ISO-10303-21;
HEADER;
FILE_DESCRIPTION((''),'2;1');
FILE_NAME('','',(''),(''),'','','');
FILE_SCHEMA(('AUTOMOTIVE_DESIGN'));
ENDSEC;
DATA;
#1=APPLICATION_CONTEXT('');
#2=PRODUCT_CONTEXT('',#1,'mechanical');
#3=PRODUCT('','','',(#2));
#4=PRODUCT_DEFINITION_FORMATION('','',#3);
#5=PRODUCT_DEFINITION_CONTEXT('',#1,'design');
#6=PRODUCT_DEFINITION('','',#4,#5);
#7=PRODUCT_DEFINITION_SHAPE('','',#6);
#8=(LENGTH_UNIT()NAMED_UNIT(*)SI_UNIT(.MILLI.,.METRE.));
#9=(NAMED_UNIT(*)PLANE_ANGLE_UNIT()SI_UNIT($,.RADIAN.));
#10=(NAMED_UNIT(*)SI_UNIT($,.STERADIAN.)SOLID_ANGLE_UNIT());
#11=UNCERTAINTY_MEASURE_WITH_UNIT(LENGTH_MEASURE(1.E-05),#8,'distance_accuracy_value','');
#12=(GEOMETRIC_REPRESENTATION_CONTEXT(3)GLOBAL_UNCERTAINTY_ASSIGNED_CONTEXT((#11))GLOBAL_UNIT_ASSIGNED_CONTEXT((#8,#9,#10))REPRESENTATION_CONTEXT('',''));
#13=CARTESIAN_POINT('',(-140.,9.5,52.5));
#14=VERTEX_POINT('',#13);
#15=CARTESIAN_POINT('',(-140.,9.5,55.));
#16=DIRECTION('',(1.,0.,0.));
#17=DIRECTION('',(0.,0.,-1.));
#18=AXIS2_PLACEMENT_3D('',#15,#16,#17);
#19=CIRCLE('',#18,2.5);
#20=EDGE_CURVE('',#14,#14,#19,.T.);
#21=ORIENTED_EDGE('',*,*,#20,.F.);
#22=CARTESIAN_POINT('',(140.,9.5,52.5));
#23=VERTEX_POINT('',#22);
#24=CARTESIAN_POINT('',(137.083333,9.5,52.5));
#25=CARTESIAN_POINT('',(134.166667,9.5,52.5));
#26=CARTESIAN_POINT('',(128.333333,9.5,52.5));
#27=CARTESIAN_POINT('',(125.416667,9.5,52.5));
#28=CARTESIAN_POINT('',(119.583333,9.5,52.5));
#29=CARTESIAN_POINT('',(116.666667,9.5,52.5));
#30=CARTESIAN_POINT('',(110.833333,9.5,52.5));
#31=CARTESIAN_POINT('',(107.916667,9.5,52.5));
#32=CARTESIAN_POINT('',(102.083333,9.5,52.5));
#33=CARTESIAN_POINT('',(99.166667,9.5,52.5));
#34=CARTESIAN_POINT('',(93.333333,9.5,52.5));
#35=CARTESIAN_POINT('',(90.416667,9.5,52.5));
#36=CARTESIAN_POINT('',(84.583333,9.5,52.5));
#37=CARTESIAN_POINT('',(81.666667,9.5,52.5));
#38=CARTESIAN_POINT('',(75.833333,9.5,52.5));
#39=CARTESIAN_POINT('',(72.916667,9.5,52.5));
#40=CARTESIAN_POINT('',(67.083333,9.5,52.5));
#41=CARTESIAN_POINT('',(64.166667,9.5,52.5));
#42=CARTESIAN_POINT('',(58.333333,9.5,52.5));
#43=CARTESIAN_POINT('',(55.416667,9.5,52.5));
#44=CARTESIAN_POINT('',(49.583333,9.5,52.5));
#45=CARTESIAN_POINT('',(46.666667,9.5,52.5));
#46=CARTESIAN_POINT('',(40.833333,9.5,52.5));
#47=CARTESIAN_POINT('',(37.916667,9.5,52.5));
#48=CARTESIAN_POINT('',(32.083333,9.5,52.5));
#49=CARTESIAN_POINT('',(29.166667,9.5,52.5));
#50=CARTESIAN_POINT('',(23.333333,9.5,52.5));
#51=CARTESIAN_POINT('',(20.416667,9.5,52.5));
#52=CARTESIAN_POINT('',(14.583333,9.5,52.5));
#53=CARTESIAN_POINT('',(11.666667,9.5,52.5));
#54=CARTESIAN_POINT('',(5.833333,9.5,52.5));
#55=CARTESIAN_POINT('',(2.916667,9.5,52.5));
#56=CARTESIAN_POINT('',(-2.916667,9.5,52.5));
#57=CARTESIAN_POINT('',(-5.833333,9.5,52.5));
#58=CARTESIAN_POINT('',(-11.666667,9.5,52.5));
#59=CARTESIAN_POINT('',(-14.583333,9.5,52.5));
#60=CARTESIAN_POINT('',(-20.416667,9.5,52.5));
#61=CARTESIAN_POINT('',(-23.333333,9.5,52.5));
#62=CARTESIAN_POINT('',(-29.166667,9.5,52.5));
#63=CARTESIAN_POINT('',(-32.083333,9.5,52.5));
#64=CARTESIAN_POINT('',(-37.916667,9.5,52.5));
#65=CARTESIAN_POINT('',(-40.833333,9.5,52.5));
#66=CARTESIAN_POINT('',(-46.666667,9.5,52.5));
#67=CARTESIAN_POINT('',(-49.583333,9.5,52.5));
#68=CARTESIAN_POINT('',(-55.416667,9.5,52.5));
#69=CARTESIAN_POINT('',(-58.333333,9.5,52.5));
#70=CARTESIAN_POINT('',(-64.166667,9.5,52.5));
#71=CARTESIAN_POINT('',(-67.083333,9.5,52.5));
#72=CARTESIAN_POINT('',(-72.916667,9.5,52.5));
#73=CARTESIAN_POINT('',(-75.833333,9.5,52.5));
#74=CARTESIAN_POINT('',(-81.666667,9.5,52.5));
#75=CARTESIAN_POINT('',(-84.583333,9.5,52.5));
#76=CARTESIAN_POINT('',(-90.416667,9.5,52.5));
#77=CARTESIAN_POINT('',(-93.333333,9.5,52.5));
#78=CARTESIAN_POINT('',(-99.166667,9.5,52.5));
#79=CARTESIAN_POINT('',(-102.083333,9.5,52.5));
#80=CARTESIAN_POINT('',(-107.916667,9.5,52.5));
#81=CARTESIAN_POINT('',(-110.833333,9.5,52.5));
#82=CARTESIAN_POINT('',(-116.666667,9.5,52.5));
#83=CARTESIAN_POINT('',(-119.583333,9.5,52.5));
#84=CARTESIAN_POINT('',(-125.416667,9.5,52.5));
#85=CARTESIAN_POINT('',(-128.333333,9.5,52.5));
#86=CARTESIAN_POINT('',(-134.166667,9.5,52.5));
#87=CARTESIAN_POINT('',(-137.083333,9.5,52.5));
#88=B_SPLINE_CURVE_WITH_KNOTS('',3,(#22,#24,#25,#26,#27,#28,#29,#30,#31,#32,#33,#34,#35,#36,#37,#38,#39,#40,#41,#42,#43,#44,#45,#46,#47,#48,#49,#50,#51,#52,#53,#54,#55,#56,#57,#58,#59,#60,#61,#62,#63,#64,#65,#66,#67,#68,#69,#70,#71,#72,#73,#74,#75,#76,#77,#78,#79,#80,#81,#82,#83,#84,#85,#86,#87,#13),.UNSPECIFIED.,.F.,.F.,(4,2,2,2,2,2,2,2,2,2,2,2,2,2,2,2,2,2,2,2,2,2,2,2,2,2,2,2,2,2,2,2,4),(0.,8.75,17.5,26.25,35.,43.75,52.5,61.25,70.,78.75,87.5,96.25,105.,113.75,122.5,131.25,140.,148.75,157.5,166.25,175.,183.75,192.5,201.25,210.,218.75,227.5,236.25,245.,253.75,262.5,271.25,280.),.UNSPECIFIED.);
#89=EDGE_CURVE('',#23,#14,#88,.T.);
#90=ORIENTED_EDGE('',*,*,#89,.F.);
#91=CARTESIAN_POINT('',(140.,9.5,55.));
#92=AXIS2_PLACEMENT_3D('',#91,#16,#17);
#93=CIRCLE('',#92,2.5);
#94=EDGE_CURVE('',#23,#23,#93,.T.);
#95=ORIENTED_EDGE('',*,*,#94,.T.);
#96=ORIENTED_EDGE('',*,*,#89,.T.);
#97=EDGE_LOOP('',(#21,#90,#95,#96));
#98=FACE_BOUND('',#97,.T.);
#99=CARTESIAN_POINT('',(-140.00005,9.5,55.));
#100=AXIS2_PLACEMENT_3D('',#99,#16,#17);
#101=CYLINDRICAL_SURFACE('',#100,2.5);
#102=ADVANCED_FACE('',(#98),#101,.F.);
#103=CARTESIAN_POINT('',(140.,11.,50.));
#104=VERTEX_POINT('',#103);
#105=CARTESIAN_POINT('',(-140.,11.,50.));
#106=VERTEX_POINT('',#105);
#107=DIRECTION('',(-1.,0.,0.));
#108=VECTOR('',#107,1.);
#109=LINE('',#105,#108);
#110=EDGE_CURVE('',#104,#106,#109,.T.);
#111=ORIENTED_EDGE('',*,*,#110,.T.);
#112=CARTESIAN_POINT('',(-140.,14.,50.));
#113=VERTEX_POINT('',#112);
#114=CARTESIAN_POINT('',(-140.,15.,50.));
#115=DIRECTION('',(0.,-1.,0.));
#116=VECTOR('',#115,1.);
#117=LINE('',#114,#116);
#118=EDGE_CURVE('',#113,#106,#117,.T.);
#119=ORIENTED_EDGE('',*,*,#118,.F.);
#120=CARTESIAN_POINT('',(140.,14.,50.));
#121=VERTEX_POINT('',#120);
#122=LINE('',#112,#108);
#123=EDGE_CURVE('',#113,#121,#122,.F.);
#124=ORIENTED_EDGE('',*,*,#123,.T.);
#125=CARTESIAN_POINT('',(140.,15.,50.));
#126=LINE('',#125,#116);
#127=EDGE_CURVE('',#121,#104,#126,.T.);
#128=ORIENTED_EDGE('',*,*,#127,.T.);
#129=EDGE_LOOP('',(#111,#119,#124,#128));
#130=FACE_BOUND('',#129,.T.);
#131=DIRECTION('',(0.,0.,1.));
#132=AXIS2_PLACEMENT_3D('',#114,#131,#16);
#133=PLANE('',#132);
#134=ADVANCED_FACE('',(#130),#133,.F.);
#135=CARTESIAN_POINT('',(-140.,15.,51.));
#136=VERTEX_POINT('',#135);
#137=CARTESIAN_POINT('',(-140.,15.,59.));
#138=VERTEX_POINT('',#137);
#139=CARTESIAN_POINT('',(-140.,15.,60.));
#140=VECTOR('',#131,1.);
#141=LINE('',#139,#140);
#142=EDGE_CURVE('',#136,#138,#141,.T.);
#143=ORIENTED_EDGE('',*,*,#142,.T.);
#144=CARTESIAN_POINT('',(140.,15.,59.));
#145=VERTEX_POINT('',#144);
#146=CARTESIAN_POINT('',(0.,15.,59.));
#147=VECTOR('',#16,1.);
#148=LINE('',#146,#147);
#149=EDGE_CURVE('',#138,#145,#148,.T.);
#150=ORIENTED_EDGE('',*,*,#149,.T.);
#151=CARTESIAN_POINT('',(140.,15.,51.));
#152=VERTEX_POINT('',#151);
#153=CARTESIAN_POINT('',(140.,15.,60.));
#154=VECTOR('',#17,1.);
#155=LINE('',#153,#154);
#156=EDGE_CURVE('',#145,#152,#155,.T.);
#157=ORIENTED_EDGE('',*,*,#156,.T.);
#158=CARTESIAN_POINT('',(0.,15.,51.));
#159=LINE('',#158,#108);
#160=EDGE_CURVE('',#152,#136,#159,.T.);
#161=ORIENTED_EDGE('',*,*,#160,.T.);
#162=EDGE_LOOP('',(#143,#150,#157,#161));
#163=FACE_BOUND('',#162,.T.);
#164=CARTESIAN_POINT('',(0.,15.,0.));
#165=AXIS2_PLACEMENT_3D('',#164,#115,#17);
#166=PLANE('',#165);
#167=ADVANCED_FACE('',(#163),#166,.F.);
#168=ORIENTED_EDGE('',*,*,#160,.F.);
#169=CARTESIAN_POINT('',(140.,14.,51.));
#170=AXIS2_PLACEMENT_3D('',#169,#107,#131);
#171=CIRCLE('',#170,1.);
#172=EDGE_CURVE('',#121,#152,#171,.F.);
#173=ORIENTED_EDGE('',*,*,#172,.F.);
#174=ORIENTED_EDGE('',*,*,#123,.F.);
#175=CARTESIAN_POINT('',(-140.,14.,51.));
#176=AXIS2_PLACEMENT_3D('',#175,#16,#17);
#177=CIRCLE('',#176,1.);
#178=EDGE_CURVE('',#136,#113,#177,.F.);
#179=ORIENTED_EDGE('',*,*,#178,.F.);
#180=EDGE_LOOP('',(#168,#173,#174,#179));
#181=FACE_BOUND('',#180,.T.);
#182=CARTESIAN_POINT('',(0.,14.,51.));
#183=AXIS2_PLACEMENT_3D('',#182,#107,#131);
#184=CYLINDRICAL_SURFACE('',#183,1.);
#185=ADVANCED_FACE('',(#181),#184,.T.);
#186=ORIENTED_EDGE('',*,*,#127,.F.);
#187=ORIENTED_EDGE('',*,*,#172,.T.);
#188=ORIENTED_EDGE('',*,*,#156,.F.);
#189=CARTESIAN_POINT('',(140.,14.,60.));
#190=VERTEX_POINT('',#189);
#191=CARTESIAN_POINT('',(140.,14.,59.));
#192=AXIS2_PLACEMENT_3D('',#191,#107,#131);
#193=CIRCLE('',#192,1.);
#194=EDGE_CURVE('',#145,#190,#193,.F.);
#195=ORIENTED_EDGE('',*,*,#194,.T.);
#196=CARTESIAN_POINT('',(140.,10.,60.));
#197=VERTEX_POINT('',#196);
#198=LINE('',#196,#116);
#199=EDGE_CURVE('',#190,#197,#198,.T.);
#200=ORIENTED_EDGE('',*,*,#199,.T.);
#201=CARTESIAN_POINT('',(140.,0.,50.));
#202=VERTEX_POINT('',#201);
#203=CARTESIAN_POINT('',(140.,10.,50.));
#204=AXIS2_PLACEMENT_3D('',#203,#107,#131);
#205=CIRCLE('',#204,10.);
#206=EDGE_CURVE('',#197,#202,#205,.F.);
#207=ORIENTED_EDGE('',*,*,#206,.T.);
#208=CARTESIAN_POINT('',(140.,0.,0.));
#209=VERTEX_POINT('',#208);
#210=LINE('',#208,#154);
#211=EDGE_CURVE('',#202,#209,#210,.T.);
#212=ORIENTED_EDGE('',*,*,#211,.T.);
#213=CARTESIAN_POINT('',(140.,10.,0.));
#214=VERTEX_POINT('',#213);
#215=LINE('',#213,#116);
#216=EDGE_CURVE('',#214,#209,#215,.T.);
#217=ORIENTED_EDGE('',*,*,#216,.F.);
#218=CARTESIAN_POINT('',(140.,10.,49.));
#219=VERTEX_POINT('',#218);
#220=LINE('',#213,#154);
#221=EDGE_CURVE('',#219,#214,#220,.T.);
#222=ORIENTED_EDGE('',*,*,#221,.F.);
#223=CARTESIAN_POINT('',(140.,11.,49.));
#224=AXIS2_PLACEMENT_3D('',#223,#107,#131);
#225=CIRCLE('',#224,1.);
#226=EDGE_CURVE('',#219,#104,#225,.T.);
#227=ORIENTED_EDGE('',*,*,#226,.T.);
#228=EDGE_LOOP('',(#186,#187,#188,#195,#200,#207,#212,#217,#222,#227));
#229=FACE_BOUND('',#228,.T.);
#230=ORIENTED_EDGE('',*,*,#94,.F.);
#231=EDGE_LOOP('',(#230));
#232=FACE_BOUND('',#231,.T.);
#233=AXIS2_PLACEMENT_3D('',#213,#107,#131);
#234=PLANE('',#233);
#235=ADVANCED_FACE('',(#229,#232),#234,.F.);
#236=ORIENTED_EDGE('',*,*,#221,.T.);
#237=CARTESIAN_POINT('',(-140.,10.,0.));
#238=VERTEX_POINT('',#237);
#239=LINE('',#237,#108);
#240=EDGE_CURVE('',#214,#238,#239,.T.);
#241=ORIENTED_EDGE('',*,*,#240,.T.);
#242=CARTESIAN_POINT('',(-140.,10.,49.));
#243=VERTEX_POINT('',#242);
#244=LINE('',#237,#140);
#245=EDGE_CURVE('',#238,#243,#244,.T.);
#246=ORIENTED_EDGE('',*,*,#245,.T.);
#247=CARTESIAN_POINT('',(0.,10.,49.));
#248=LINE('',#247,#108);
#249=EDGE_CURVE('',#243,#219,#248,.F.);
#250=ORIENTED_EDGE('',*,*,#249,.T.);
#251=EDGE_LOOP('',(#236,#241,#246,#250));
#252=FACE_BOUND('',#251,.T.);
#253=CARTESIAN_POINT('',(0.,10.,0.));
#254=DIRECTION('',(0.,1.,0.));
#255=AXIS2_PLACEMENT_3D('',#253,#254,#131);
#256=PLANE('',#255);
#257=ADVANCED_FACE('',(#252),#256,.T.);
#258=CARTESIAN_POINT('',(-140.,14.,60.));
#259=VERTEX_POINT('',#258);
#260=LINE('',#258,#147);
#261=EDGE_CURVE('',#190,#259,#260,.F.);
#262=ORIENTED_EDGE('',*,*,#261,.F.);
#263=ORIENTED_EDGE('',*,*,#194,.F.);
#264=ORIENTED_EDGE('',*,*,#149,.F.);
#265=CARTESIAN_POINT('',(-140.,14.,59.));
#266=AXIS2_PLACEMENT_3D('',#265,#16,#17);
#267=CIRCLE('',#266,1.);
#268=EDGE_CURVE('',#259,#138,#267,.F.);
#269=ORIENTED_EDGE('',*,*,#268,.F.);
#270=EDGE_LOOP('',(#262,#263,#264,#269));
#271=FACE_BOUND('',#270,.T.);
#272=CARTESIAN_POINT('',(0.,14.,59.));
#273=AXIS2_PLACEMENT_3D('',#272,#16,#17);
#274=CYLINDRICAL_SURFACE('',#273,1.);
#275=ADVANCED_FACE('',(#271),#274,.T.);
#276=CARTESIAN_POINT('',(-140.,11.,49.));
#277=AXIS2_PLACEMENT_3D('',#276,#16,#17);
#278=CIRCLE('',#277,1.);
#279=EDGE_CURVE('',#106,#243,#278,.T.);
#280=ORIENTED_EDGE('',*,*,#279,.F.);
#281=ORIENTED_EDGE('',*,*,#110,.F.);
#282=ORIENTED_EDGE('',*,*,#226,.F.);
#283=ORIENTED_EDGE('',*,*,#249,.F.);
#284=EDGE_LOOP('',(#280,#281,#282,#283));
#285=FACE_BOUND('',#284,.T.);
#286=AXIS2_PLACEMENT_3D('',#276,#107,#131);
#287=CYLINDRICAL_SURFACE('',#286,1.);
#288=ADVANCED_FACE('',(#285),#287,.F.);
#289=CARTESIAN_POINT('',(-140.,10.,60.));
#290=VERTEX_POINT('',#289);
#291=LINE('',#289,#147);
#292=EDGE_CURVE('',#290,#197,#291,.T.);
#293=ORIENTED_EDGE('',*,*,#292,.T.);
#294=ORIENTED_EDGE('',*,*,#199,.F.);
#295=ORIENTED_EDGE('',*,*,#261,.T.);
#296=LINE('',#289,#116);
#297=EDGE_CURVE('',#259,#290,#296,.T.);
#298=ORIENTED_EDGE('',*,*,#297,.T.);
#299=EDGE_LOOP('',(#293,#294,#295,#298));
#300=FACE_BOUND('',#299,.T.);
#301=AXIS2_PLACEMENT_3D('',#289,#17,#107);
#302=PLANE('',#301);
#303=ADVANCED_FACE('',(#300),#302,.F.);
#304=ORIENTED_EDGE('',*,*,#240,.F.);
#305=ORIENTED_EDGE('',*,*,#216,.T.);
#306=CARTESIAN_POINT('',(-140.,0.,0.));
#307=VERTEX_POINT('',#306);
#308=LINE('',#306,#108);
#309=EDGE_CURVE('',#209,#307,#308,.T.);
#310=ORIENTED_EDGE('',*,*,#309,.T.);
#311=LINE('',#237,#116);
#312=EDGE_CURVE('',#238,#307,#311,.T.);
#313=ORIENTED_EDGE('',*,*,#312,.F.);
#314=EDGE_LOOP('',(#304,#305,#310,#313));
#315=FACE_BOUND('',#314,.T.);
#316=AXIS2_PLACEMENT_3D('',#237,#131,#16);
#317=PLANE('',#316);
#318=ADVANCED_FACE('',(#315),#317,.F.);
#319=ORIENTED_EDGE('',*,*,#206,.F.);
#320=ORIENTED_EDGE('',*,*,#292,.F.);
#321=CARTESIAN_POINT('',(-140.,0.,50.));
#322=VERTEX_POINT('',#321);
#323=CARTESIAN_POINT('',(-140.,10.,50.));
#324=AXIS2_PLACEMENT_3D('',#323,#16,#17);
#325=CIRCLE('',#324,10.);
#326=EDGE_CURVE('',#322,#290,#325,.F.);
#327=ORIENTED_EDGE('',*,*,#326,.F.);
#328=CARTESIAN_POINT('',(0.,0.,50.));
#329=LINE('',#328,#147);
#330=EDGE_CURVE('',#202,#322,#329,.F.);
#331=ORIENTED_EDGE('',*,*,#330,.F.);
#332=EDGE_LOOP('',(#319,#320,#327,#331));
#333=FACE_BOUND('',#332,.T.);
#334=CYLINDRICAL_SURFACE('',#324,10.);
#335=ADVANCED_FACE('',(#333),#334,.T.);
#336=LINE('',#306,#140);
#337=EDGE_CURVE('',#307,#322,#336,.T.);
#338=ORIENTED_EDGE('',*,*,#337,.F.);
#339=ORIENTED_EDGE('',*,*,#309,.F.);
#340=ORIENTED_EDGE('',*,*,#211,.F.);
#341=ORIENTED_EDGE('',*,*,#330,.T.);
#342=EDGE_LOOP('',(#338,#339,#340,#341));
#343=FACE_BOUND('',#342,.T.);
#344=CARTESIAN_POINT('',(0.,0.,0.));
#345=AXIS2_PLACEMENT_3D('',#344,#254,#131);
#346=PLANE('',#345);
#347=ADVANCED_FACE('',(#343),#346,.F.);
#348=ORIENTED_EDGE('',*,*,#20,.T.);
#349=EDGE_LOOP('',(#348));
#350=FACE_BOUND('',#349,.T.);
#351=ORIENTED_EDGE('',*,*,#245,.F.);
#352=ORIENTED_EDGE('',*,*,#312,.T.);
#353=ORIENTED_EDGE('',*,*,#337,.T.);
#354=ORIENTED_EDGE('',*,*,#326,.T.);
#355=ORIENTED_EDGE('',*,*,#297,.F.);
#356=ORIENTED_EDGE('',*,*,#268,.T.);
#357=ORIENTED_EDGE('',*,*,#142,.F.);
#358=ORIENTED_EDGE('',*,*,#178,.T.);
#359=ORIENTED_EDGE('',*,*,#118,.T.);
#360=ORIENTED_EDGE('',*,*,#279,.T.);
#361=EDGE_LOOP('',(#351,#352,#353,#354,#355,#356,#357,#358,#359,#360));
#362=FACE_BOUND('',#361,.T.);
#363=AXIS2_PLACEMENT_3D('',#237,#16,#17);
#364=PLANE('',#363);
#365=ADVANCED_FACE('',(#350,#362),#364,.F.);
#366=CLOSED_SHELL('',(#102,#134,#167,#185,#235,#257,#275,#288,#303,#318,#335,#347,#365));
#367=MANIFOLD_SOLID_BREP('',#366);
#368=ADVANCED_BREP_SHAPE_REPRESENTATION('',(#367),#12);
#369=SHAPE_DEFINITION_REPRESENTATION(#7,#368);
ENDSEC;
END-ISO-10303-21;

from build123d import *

# Parameters (mm, degrees)
SKETCH1_W           = 280
SKETCH1_H           = 60
BOSS_EXTRUDE1_DEPTH = 10
SKETCH2_W           = 280
SKETCH2_H           = 10
BOSS_EXTRUDE2_DEPTH = 5
SKETCH3_R           = 2.5
CUT_EXTRUDE1_DEPTH  = 287.749019179
FILLET1_R           = 10
FILLET2_R           = 1
FILLET3_R           = 1
FILLET4_R           = 1


with BuildPart() as part:
    # Sketch1 → Boss-Extrude1 (new body)
    with BuildSketch(Plane(origin=(0, 0, 0), x_dir=(1, 0, 0), z_dir=(0, 1, 0))):
        with Locations((0, -30)):
            Rectangle(SKETCH1_W, SKETCH1_H)
    extrude(amount=BOSS_EXTRUDE1_DEPTH)

    # Sketch2 → Boss-Extrude2 (add)
    with BuildSketch(Plane(origin=(0, 10, 0), x_dir=(1, 0, 0), z_dir=(0, 1, 0))):
        with Locations((0, -55)):
            Rectangle(SKETCH2_W, SKETCH2_H)
    extrude(amount=BOSS_EXTRUDE2_DEPTH)

    # Sketch3 → Cut-Extrude1 (cut, through all)
    with BuildSketch(Plane(origin=(140, 0, 0), x_dir=(0, 0, -1), z_dir=(1, 0, 0))):
        with Locations((-55, 9.5)):
            Circle(SKETCH3_R)
    extrude(amount=-CUT_EXTRUDE1_DEPTH, mode=Mode.SUBTRACT)

    # Fillet1
    fillet1_edges = [part.edges().sort_by_distance(p)[0] for p in [
        (0, 0, 60),
    ]]
    fillet(fillet1_edges, radius=FILLET1_R)

    # Fillet2
    fillet2_edges = [part.edges().sort_by_distance(p)[0] for p in [
        (0, 15, 60),
    ]]
    fillet(fillet2_edges, radius=FILLET2_R)

    # Fillet3
    fillet3_edges = [part.edges().sort_by_distance(p)[0] for p in [
        (0, 15, 50),
    ]]
    fillet(fillet3_edges, radius=FILLET3_R)

    # Fillet4
    fillet4_edges = [part.edges().sort_by_distance(p)[0] for p in [
        (0, 10, 50),
    ]]
    fillet(fillet4_edges, radius=FILLET4_R)


solid = part.part
